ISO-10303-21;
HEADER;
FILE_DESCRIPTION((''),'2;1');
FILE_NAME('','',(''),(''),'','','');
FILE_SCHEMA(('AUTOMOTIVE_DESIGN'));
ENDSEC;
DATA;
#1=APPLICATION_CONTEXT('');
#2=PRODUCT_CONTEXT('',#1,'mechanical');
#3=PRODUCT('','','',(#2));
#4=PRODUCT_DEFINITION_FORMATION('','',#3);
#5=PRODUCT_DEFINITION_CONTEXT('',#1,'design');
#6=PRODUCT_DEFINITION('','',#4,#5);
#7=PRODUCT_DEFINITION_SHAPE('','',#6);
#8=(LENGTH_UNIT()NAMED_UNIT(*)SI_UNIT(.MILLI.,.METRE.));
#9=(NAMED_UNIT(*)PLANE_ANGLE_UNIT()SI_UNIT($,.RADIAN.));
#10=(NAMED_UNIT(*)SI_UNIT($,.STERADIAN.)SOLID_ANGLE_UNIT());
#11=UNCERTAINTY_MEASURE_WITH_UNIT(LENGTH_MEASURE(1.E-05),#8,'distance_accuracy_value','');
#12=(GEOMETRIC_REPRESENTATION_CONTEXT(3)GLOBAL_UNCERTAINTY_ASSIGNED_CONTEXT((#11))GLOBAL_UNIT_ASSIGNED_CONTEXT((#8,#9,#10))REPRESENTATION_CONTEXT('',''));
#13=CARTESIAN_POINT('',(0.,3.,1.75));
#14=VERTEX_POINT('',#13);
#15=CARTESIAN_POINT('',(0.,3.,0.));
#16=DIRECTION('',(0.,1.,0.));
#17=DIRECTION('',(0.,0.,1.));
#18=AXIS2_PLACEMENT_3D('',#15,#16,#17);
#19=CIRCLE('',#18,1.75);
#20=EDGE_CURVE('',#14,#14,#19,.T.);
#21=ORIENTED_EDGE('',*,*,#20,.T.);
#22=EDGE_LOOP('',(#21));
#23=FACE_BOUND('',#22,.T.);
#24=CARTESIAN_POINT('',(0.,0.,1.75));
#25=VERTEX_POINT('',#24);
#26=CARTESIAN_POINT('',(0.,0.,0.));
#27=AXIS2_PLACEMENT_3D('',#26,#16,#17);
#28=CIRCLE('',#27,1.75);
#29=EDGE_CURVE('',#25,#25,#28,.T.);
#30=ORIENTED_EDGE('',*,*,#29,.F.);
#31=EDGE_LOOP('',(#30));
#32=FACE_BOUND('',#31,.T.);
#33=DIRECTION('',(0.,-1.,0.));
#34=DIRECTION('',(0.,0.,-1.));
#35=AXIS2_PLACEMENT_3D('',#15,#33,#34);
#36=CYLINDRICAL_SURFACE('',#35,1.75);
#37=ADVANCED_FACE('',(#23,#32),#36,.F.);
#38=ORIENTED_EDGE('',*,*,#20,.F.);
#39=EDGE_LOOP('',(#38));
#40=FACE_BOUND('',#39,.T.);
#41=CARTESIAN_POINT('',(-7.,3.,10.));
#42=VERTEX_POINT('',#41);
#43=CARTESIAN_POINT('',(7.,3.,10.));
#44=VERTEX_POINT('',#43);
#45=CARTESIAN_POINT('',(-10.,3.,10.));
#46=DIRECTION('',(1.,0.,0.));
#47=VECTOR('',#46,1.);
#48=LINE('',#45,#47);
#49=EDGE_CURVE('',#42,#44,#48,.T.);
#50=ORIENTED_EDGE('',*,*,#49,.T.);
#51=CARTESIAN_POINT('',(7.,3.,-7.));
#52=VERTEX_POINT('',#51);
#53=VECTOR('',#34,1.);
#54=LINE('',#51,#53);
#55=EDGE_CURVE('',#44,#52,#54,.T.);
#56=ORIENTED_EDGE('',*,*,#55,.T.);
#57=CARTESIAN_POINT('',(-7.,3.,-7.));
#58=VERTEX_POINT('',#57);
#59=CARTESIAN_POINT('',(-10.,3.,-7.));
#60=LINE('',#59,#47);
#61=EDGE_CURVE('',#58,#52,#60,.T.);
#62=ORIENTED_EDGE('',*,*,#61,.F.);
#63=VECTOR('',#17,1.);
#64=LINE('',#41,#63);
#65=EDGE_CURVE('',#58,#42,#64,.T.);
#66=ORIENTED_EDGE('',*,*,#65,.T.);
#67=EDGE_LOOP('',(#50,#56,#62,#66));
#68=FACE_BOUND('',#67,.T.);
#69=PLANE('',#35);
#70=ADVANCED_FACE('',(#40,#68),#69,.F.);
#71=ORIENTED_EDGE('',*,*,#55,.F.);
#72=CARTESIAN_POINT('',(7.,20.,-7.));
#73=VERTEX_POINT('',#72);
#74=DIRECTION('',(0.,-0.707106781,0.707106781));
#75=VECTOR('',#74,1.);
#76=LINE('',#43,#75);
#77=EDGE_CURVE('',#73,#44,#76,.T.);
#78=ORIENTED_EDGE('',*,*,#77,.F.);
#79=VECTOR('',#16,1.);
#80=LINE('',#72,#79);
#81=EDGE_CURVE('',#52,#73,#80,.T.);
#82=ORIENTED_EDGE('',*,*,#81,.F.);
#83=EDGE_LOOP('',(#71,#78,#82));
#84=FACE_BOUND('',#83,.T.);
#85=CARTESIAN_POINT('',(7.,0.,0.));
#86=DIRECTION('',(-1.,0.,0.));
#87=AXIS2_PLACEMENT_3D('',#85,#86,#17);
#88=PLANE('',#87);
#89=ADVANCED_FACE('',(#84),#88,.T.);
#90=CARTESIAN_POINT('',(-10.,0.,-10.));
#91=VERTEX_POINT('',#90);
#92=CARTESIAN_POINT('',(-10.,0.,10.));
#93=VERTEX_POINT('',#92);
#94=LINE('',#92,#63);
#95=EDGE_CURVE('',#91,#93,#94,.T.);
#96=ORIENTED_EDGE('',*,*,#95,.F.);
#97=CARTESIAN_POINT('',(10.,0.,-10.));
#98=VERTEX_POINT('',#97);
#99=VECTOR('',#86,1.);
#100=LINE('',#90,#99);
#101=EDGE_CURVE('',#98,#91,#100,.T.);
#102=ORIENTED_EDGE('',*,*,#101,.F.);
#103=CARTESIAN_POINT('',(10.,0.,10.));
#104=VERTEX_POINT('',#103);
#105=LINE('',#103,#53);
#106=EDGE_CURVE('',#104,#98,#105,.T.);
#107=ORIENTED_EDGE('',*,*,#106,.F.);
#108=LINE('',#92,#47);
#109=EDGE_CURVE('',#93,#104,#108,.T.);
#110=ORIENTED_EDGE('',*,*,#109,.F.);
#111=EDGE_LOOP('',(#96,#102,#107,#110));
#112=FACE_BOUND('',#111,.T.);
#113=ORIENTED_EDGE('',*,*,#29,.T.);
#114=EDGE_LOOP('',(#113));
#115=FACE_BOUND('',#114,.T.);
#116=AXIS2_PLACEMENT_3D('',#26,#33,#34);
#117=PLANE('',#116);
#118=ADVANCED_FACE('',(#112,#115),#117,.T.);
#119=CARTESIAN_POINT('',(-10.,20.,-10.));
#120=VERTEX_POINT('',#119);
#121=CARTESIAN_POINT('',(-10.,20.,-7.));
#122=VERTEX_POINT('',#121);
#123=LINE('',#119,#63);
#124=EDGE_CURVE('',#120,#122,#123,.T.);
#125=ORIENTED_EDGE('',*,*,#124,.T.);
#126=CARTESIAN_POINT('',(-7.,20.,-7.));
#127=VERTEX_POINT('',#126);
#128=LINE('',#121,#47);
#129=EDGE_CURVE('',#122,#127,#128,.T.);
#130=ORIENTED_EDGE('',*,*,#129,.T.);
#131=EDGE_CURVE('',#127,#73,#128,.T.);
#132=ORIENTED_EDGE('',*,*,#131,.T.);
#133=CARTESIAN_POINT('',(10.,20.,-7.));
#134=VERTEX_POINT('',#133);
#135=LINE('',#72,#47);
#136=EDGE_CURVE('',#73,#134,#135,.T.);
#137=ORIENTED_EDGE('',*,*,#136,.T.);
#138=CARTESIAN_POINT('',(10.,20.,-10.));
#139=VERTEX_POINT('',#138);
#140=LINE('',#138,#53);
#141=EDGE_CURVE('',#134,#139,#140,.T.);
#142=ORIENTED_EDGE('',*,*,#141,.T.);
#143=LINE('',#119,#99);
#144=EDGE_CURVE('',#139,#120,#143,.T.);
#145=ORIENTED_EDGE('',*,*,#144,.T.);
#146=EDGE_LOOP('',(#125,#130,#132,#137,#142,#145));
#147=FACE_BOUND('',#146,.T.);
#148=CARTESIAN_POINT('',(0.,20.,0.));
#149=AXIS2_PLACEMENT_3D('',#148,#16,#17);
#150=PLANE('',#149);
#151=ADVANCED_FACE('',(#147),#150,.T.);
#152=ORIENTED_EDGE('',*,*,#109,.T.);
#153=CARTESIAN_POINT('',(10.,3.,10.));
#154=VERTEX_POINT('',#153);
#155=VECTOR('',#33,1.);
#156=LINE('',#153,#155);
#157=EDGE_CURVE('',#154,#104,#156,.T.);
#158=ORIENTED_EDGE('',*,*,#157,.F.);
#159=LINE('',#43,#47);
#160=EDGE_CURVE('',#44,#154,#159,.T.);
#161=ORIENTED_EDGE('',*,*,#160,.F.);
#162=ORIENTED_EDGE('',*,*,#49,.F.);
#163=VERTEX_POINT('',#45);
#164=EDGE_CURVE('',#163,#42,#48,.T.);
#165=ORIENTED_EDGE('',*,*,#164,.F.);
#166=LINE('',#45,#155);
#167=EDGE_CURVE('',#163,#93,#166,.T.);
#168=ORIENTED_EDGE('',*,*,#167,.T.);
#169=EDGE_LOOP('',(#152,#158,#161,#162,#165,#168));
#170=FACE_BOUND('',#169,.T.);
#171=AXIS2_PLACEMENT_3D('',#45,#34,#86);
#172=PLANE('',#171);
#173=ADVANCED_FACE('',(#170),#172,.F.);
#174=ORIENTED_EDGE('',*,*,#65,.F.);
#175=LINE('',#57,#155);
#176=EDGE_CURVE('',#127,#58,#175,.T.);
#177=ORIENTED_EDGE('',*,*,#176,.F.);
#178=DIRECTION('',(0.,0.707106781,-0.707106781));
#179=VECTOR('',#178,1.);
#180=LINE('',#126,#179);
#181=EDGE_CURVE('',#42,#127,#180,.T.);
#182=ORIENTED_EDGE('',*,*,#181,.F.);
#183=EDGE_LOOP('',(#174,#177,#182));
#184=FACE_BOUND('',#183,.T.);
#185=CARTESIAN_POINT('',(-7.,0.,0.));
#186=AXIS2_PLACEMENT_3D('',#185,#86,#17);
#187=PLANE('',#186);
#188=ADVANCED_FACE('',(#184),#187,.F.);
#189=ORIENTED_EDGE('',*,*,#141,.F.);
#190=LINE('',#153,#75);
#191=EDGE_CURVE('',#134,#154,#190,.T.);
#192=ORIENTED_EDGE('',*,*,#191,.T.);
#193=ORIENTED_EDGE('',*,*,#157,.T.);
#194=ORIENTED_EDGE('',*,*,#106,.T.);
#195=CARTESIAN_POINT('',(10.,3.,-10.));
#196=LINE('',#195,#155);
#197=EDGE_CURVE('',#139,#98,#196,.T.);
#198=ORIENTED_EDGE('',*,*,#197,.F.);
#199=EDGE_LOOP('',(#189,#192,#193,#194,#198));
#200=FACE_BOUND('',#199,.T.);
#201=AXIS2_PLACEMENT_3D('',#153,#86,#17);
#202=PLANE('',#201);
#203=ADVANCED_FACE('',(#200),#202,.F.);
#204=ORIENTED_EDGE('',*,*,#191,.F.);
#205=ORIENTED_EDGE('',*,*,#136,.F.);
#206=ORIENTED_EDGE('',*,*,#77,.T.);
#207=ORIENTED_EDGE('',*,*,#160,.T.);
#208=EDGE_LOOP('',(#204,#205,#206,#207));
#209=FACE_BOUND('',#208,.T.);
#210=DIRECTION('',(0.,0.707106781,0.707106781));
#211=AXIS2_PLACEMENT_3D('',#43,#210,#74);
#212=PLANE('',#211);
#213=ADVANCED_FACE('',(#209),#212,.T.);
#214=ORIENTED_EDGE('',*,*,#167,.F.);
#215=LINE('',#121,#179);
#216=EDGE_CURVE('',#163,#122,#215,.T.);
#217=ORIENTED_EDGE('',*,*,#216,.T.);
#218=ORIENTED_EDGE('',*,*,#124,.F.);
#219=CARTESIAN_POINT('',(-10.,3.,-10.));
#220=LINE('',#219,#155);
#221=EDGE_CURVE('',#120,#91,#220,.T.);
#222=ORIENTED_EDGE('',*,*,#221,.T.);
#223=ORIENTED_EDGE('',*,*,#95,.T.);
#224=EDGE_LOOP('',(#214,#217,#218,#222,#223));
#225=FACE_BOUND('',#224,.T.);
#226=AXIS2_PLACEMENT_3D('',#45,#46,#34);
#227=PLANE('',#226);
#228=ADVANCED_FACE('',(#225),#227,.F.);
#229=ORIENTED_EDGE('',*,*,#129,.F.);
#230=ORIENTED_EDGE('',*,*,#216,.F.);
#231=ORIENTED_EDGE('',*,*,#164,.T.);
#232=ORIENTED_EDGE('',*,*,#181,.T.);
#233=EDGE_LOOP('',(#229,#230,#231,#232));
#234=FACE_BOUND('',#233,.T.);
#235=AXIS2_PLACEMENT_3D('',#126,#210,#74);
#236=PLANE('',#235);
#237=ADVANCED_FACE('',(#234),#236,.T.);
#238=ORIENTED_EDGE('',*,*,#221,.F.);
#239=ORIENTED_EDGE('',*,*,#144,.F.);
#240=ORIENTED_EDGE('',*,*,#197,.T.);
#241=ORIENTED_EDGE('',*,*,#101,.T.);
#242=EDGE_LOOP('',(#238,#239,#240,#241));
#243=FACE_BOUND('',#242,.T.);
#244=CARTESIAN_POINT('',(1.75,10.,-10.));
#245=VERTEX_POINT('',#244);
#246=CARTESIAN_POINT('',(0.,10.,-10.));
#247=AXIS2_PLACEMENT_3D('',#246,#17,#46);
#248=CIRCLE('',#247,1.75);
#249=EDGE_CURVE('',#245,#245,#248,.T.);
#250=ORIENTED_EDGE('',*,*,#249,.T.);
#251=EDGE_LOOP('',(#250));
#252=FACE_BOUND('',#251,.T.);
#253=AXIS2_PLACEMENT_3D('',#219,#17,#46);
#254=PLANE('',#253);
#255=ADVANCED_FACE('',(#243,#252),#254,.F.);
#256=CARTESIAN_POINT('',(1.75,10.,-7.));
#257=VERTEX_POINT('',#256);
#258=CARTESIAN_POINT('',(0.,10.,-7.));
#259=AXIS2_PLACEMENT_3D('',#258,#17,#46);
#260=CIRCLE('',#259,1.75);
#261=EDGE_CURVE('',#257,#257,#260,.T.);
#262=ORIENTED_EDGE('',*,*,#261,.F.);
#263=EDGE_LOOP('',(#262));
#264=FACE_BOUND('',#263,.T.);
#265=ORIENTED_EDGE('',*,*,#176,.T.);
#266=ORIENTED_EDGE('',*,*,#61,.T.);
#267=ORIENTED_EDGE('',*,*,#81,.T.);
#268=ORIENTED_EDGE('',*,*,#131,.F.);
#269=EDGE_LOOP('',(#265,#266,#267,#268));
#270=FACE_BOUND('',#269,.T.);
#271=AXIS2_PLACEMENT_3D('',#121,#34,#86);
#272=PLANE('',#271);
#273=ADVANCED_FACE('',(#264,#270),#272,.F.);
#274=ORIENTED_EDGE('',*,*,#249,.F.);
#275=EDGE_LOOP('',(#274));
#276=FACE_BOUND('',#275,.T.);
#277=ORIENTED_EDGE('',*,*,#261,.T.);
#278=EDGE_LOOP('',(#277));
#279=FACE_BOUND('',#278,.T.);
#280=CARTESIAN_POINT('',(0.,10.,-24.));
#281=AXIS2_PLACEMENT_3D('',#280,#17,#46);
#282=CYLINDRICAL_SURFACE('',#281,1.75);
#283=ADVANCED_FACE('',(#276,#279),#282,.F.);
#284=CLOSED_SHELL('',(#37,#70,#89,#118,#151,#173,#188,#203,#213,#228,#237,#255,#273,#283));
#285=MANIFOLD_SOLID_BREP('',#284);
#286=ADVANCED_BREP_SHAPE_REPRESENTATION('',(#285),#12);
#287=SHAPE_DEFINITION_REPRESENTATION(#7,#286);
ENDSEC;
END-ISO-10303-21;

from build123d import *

# Parameters (mm, degrees)
SKETCH_1_W          = 20
SKETCH_1_H          = 20
SKETCH_1_R          = 1.75
EXTRUDE_1_DEPTH     = 3
SKETCH_2_W          = 20
SKETCH_2_H          = 3
EXTRUDE_2_DEPTH     = 17
SKETCH_3_R          = 1.75
CUT_EXTRUDE_1_DEPTH = 17
EXTRUDE_4_DEPTH     = 3
EXTRUDE_5_DEPTH     = 3


with BuildPart() as part:
    # Эскиз1 → Бобышка-Вытянуть1 (new body)
    with BuildSketch(Plane(origin=(0, 0, 0), x_dir=(1, 0, 0), z_dir=(0, 1, 0))):
        Rectangle(SKETCH_1_W, SKETCH_1_H)
        with Locations(Location((0, 0, 0), (0, 0, 270))):
            Circle(SKETCH_1_R, mode=Mode.SUBTRACT)
    extrude(amount=EXTRUDE_1_DEPTH)

    # Эскиз2 → Бобышка-Вытянуть2 (add)
    with BuildSketch(Plane(origin=(0, 3, 0), x_dir=(1, 0, 0), z_dir=(0, 1, 0))):
        with Locations((0, 8.5)):
            Rectangle(SKETCH_2_W, SKETCH_2_H)
    extrude(amount=EXTRUDE_2_DEPTH)

    # Эскиз3 → Вырез-Вытянуть1 (cut)
    with BuildSketch(Plane.XY.offset(-7)):
        with Locations((0, 10)):
            Circle(SKETCH_3_R)
    extrude(amount=-CUT_EXTRUDE_1_DEPTH, mode=Mode.SUBTRACT)

    # Эскиз4 → Бобышка-Вытянуть4 (add)
    with BuildSketch(Plane.ZY.offset(10)):
        Polygon((-7, 20), (10, 3), (-7, 3), align=None)
    extrude(amount=-EXTRUDE_4_DEPTH)

    # Эскиз5 → Бобышка-Вытянуть5 (add)
    with BuildSketch(Plane(origin=(10, 0, 0), x_dir=(0, 0, -1), z_dir=(1, 0, 0))):
        Polygon((7, 20), (7, 3), (-10, 3), align=None)
    extrude(amount=-EXTRUDE_5_DEPTH)


solid = part.part
